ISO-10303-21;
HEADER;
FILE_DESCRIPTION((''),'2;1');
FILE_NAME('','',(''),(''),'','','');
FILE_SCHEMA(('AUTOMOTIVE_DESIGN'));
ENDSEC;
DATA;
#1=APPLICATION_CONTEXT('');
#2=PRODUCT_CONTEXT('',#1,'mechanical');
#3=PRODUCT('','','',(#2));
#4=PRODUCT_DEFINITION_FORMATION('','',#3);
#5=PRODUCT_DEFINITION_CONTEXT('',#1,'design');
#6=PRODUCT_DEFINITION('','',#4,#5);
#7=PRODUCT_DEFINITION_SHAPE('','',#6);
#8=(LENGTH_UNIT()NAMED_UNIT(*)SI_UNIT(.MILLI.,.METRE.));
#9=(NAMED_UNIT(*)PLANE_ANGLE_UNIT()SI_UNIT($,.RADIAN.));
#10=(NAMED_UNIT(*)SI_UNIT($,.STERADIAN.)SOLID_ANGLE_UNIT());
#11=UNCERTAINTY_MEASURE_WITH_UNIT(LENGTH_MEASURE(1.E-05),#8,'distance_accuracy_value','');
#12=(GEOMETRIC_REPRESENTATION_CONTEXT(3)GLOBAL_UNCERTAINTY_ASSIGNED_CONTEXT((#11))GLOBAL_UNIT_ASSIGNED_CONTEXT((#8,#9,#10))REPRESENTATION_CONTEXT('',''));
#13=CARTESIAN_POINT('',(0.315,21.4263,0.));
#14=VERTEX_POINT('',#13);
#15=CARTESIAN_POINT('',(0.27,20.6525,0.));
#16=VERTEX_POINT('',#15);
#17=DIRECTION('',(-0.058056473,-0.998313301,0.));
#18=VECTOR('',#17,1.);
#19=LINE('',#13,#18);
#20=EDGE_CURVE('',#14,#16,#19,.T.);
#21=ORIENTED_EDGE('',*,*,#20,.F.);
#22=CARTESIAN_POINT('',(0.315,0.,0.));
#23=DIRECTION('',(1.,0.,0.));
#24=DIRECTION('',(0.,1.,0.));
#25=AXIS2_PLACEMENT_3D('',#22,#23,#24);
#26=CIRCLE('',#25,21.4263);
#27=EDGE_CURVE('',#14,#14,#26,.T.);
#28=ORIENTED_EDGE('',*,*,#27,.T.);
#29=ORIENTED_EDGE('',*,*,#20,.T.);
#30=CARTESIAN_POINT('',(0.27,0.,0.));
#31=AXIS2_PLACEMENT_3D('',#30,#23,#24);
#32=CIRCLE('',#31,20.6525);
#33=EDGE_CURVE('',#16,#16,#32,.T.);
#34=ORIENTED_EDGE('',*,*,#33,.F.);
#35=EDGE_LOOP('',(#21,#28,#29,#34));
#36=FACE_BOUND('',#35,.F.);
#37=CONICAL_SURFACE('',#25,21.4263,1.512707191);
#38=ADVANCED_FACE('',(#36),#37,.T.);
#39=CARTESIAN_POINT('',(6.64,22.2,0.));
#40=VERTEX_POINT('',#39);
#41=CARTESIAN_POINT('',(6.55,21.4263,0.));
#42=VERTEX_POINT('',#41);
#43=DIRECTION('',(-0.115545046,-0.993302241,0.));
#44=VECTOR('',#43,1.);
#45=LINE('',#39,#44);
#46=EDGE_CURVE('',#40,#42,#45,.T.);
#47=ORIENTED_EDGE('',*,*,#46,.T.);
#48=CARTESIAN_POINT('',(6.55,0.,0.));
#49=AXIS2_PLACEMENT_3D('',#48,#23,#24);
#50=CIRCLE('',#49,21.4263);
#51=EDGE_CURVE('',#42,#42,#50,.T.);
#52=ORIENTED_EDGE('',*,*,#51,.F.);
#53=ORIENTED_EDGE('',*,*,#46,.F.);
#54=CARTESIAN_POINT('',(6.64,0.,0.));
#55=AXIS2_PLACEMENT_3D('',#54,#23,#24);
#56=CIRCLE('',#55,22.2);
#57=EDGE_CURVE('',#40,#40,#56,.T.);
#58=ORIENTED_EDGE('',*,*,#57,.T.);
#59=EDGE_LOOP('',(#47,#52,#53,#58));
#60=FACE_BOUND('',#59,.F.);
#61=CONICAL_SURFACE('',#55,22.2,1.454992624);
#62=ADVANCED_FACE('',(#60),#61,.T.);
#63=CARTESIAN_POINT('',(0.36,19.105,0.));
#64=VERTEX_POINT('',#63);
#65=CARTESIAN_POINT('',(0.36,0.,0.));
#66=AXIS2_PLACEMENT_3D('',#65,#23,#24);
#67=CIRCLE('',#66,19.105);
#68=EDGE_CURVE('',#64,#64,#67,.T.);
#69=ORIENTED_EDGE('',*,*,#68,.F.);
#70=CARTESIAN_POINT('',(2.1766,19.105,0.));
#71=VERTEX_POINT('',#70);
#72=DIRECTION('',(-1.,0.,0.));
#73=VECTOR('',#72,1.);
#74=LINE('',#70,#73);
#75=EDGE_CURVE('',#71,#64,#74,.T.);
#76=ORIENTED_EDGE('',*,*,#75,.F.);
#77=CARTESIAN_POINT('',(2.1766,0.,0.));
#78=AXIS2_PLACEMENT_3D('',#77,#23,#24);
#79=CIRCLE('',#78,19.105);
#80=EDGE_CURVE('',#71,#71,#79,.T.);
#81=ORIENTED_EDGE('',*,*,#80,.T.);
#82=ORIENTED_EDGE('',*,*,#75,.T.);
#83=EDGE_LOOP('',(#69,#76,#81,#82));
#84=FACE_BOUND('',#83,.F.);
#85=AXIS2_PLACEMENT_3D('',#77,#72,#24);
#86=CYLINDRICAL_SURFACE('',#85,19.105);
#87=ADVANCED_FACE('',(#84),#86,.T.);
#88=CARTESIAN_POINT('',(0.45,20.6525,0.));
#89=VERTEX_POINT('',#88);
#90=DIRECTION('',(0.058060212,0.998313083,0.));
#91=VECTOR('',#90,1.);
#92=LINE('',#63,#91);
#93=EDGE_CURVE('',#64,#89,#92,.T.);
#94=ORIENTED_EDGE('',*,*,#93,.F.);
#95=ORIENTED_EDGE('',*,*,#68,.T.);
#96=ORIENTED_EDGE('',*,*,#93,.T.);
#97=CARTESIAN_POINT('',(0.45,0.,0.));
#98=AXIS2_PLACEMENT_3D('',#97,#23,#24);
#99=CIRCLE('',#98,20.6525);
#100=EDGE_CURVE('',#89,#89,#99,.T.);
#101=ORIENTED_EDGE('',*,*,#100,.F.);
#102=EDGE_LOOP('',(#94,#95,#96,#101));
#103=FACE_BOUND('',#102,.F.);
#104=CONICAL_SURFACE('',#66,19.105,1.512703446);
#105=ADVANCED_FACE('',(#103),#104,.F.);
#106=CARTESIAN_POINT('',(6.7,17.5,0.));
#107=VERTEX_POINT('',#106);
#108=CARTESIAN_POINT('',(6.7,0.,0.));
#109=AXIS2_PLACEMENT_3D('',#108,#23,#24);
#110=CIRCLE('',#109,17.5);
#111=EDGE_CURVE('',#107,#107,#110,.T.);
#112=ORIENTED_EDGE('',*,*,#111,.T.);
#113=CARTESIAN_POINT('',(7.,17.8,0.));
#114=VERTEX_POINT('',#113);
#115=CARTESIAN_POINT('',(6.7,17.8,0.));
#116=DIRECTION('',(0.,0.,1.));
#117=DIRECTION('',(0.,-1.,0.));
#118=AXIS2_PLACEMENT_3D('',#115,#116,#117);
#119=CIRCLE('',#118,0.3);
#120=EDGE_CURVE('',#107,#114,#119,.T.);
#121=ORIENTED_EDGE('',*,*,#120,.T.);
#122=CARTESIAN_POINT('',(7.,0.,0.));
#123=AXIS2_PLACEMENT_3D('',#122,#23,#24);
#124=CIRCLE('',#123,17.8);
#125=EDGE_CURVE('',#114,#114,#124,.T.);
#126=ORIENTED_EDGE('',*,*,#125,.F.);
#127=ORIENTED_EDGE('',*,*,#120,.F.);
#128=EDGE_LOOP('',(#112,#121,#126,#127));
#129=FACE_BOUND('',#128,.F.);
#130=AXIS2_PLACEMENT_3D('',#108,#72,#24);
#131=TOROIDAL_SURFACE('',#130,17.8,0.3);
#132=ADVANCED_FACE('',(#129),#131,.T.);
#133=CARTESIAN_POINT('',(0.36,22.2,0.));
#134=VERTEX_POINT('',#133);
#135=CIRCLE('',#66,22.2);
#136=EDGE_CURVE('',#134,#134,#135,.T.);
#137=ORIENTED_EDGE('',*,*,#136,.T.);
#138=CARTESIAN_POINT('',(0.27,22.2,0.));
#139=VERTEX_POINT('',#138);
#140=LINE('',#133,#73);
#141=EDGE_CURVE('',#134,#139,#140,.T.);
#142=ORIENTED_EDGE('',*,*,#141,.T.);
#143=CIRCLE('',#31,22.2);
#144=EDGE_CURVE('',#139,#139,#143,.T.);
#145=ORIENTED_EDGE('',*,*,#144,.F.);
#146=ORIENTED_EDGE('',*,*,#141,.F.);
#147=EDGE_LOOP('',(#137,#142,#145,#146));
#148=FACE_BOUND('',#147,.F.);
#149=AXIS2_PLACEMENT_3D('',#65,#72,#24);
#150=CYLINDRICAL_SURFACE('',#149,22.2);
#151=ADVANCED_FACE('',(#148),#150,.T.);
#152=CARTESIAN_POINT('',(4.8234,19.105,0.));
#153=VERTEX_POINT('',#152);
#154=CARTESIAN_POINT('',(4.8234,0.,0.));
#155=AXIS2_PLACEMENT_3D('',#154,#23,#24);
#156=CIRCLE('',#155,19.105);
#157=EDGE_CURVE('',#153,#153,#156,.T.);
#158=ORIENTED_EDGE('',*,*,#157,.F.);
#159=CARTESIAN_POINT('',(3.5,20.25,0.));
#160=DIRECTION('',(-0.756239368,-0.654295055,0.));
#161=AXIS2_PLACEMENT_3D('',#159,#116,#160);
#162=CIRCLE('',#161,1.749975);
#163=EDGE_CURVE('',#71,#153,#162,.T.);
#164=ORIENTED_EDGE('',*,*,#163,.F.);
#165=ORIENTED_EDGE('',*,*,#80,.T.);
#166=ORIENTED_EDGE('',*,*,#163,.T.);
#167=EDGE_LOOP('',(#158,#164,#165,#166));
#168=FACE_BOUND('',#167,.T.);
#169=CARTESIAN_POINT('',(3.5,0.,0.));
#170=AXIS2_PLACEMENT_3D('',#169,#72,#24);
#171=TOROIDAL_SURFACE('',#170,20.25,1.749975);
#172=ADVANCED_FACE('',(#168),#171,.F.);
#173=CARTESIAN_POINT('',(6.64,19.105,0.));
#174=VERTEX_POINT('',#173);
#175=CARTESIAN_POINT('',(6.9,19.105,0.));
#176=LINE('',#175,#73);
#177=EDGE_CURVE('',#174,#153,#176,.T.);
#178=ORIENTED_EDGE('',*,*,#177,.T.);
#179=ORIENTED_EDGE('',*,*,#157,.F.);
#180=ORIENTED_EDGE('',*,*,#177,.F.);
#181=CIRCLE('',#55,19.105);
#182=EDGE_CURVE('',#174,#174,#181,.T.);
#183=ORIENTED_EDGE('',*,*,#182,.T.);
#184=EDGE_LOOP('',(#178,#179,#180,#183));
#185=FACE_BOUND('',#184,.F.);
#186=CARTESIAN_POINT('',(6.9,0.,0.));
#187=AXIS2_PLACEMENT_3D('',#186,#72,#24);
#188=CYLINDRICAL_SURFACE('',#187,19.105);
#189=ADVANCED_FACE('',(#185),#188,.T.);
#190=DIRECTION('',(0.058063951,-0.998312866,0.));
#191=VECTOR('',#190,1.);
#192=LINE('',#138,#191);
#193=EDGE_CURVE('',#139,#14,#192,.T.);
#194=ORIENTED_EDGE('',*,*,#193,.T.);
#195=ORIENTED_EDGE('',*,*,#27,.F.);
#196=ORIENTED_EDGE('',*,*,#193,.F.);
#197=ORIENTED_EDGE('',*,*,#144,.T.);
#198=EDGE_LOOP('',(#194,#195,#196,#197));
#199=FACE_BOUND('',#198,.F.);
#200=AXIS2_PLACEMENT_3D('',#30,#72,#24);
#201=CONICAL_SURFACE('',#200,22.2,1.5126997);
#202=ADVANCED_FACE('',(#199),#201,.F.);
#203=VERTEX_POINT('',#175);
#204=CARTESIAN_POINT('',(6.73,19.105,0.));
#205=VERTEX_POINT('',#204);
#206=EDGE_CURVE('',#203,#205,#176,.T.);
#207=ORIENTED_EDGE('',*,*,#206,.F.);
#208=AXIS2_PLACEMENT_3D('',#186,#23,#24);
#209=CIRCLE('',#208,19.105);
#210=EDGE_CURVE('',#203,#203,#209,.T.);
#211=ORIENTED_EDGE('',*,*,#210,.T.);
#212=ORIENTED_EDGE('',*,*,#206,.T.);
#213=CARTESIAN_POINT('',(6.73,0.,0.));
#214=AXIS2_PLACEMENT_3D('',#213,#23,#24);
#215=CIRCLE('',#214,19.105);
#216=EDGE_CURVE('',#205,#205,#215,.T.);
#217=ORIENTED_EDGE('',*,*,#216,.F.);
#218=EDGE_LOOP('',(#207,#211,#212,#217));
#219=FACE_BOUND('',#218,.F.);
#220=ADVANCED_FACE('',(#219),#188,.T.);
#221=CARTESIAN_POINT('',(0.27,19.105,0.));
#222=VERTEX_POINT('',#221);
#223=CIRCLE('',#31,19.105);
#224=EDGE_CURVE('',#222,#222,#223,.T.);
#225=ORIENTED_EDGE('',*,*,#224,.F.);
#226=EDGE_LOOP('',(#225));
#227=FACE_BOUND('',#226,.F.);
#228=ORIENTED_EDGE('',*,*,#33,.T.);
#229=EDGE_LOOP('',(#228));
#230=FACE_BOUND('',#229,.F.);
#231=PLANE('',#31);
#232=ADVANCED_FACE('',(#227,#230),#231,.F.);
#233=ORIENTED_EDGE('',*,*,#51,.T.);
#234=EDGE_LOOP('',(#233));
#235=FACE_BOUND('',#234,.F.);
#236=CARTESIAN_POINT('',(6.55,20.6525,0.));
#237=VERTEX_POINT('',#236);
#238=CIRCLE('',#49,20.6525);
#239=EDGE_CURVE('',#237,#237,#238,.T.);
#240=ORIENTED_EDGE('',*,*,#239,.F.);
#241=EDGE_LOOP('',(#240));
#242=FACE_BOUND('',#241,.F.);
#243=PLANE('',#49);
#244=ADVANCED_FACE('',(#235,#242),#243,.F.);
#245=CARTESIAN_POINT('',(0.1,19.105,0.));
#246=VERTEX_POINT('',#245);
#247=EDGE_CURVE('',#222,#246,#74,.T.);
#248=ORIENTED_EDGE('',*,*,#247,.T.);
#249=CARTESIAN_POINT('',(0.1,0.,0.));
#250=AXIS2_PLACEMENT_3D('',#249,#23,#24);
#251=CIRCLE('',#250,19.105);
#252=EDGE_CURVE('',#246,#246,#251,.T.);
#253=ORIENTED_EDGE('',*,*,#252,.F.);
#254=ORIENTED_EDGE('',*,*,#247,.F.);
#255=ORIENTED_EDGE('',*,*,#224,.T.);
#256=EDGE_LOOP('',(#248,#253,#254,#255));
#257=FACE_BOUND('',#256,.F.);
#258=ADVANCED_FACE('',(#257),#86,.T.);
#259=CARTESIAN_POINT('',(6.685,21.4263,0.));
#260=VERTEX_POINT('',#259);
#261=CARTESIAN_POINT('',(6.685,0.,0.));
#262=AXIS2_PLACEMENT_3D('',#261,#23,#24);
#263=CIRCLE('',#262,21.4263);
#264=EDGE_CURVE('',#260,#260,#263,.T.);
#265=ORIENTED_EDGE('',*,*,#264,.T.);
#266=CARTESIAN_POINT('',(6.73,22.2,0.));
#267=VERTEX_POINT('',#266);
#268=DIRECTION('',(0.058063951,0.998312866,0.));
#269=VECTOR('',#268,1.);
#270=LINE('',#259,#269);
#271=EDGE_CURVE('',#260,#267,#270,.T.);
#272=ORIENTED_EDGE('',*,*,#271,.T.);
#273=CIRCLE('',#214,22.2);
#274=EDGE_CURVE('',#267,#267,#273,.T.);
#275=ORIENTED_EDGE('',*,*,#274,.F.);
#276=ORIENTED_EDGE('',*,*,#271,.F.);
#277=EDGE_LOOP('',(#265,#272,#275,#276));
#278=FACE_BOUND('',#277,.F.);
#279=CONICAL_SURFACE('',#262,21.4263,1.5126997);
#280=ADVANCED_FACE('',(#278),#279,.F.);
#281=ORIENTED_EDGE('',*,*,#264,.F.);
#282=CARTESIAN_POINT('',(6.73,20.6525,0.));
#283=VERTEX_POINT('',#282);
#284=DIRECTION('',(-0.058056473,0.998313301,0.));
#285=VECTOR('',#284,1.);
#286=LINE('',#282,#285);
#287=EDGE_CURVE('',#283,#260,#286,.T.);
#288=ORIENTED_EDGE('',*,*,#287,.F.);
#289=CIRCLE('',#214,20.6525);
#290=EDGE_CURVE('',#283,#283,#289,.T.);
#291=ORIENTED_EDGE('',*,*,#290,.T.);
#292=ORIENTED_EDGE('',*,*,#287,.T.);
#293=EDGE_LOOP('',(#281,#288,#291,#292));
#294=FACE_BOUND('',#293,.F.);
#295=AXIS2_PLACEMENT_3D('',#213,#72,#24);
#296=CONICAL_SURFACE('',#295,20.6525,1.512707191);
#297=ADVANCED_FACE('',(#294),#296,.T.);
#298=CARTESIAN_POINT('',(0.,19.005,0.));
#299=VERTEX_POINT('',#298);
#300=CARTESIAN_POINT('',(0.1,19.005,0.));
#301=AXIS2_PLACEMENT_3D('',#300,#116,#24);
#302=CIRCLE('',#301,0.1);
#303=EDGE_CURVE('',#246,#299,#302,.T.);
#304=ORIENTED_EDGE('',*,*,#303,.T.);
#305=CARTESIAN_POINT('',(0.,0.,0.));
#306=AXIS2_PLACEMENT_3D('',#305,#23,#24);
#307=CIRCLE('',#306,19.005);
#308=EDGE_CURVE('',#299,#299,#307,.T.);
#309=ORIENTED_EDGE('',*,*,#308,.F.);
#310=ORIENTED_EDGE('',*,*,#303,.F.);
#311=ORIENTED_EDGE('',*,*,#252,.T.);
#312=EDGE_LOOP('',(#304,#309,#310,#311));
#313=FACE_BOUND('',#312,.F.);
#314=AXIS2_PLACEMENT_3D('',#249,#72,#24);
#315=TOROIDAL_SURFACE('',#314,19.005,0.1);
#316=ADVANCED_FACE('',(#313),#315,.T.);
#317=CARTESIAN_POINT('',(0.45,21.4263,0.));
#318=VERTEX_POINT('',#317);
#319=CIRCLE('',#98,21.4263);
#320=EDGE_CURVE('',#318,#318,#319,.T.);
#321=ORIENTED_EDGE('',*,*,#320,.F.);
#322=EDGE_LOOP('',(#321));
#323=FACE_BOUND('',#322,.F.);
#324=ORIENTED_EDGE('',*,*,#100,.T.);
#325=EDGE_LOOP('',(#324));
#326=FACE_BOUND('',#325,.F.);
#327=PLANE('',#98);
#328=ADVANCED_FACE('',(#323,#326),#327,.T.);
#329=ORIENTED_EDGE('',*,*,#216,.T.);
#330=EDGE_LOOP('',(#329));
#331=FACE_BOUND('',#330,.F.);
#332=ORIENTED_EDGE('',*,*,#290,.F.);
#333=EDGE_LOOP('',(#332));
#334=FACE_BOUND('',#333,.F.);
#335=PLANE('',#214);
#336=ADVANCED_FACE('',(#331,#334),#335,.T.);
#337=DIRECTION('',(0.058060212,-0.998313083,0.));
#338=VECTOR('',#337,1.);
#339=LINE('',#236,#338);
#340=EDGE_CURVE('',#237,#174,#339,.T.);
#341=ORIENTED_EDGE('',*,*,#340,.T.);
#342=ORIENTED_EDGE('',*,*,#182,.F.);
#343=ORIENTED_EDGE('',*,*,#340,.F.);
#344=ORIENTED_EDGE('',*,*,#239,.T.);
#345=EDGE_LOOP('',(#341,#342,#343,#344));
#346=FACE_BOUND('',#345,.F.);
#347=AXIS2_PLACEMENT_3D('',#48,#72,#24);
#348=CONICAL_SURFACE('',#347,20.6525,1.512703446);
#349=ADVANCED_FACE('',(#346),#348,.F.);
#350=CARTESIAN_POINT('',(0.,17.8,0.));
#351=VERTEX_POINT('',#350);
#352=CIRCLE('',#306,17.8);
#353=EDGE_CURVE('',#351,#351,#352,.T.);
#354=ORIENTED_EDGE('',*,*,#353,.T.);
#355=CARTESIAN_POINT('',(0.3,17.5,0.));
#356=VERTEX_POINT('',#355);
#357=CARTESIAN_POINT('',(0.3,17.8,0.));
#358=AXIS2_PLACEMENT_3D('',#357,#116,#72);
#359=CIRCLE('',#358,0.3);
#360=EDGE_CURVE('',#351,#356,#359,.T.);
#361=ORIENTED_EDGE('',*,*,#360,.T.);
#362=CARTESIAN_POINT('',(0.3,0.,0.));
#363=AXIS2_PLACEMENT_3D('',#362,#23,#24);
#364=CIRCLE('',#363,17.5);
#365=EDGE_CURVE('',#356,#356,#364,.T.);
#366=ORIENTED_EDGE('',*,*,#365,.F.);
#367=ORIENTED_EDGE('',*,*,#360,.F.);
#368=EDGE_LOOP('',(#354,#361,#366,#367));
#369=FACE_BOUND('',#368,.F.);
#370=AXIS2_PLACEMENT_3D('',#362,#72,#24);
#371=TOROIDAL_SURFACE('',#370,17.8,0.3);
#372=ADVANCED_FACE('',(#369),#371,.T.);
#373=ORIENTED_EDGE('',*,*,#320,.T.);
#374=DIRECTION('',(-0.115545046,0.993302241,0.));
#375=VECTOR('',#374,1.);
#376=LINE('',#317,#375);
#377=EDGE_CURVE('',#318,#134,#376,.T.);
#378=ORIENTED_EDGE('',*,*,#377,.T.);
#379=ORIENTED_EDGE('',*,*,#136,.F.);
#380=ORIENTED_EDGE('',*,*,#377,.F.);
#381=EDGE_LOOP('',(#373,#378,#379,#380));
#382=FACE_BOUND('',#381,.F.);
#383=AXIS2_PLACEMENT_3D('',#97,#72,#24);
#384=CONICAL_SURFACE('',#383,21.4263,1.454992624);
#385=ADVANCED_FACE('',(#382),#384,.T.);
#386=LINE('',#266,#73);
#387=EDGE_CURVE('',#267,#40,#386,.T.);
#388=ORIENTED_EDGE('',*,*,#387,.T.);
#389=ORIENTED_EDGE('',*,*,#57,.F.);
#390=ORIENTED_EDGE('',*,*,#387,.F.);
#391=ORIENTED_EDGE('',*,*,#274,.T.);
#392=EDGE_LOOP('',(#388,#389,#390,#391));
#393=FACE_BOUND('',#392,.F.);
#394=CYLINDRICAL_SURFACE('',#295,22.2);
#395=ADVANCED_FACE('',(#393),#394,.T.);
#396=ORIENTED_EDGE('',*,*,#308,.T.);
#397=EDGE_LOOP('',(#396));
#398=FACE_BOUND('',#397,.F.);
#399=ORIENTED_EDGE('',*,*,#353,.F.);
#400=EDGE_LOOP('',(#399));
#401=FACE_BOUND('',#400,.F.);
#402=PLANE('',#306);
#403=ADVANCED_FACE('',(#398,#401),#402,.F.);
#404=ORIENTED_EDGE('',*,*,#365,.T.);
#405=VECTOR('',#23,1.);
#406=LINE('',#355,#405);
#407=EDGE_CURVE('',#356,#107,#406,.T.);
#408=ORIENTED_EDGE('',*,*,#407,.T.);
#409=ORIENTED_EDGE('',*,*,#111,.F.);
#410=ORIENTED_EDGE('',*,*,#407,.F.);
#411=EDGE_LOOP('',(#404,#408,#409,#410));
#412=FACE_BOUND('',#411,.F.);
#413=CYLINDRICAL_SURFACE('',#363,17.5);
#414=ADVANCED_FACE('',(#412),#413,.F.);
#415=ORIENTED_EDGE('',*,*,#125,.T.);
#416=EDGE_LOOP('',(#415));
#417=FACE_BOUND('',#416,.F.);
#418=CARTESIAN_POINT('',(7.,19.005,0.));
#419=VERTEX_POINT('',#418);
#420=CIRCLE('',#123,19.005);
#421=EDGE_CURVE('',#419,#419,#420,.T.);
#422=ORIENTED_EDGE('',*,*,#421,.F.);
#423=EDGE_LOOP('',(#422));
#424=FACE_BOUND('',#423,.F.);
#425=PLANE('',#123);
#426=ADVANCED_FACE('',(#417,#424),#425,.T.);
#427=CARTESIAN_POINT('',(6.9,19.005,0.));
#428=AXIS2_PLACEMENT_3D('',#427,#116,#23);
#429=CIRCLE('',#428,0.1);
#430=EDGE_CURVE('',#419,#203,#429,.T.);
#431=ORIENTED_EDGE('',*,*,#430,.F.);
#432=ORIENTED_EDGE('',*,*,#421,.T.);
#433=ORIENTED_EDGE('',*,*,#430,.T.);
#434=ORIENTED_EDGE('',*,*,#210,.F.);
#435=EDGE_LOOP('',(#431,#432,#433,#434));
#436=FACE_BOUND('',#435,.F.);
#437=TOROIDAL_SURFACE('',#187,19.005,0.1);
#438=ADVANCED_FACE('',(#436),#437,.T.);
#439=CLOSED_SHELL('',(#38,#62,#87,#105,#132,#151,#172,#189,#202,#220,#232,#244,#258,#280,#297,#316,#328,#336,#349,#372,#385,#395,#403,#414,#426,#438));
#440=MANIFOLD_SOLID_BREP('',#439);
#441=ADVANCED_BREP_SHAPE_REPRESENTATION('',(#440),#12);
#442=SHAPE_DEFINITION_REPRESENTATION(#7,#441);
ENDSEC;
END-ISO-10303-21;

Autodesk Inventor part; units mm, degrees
ref_plane "YZ Plane" through (0, 0, 0) normal (1, 0, 0) x (0, 1, 0)
ref_plane "XZ Plane" through (0, 0, 0) normal (0, 1, 0) x (-1, 0, 0)
ref_plane "XY Plane" through (0, 0, 0) normal (0, 0, 1) x (1, 0, 0)
sketch "Sketch_58" plane through (0, 0, 0) normal (0, 0, 1) x (1, 0, 0)
  line L0 (50, 0) -> (-50, 0)
  line L1 (0, 19.005) -> (0, 17.8)
  arc A0 (0, 17.8) -> (0.3, 17.5) centre (0.3, 17.8) ccw
  line L2 (0.3, 17.5) -> (6.7, 17.5)
  arc A1 (6.7, 17.5) -> (7, 17.8) centre (6.7, 17.8) ccw
  line L3 (7, 17.8) -> (7, 19.005)
  arc A2 (7, 19.005) -> (6.9, 19.105) centre (6.9, 19.005) ccw
  line L4 (6.9, 19.105) -> (4.8234, 19.105)
  arc A3 (2.1766, 19.105) -> (4.8234, 19.105) centre (3.5, 20.25) ccw
  line L5 (2.1766, 19.105) -> (0.1, 19.105)
  arc A4 (0.1, 19.105) -> (0, 19.005) centre (0.1, 19.005) ccw
revolve "Revolution1" add sketch "Sketch_58" angle 360 about axis through (50, 0, 0) along (1, 0, 0)
sketch "Sketch_60" plane through (0, 0, 0) normal (0, 0, 1) x (1, 0, 0)
  line L0 (50, 0) -> (-50, 0)
  line L1 (0.27, 22.2) -> (0.315, 21.4263)
  line L2 (0.315, 21.4263) -> (0.27, 20.6525)
  line L3 (0.27, 20.6525) -> (0.27, 19.105)
  line L4 (0.27, 19.105) -> (0.36, 19.105)
  line L5 (0.36, 19.105) -> (0.45, 20.6525)
  line L6 (0.45, 20.6525) -> (0.45, 21.4263)
  line L7 (0.45, 21.4263) -> (0.36, 22.2)
  line L8 (0.36, 22.2) -> (0.27, 22.2)
revolve "Revolution2" add sketch "Sketch_60" angle 360 about axis through (50, 0, 0) along (1, 0, 0)
sketch "Sketch_61" plane through (0, 0, 0) normal (0, 0, 1) x (1, 0, 0)
  line L0 (50, 0) -> (-50, 0)
  line L1 (6.55, 20.6525) -> (6.64, 19.105)
  line L2 (6.64, 19.105) -> (6.73, 19.105)
  line L3 (6.73, 19.105) -> (6.73, 20.6525)
  line L4 (6.73, 20.6525) -> (6.685, 21.4263)
  line L5 (6.685, 21.4263) -> (6.73, 22.2)
  line L6 (6.73, 22.2) -> (6.64, 22.2)
  line L7 (6.64, 22.2) -> (6.55, 21.4263)
  line L8 (6.55, 21.4263) -> (6.55, 20.6525)
revolve "Revolution3" add sketch "Sketch_61" angle 360 about axis through (50, 0, 0) along (1, 0, 0)
properties part number "61807-2RS1_PART1" material "Stainless Steel"
